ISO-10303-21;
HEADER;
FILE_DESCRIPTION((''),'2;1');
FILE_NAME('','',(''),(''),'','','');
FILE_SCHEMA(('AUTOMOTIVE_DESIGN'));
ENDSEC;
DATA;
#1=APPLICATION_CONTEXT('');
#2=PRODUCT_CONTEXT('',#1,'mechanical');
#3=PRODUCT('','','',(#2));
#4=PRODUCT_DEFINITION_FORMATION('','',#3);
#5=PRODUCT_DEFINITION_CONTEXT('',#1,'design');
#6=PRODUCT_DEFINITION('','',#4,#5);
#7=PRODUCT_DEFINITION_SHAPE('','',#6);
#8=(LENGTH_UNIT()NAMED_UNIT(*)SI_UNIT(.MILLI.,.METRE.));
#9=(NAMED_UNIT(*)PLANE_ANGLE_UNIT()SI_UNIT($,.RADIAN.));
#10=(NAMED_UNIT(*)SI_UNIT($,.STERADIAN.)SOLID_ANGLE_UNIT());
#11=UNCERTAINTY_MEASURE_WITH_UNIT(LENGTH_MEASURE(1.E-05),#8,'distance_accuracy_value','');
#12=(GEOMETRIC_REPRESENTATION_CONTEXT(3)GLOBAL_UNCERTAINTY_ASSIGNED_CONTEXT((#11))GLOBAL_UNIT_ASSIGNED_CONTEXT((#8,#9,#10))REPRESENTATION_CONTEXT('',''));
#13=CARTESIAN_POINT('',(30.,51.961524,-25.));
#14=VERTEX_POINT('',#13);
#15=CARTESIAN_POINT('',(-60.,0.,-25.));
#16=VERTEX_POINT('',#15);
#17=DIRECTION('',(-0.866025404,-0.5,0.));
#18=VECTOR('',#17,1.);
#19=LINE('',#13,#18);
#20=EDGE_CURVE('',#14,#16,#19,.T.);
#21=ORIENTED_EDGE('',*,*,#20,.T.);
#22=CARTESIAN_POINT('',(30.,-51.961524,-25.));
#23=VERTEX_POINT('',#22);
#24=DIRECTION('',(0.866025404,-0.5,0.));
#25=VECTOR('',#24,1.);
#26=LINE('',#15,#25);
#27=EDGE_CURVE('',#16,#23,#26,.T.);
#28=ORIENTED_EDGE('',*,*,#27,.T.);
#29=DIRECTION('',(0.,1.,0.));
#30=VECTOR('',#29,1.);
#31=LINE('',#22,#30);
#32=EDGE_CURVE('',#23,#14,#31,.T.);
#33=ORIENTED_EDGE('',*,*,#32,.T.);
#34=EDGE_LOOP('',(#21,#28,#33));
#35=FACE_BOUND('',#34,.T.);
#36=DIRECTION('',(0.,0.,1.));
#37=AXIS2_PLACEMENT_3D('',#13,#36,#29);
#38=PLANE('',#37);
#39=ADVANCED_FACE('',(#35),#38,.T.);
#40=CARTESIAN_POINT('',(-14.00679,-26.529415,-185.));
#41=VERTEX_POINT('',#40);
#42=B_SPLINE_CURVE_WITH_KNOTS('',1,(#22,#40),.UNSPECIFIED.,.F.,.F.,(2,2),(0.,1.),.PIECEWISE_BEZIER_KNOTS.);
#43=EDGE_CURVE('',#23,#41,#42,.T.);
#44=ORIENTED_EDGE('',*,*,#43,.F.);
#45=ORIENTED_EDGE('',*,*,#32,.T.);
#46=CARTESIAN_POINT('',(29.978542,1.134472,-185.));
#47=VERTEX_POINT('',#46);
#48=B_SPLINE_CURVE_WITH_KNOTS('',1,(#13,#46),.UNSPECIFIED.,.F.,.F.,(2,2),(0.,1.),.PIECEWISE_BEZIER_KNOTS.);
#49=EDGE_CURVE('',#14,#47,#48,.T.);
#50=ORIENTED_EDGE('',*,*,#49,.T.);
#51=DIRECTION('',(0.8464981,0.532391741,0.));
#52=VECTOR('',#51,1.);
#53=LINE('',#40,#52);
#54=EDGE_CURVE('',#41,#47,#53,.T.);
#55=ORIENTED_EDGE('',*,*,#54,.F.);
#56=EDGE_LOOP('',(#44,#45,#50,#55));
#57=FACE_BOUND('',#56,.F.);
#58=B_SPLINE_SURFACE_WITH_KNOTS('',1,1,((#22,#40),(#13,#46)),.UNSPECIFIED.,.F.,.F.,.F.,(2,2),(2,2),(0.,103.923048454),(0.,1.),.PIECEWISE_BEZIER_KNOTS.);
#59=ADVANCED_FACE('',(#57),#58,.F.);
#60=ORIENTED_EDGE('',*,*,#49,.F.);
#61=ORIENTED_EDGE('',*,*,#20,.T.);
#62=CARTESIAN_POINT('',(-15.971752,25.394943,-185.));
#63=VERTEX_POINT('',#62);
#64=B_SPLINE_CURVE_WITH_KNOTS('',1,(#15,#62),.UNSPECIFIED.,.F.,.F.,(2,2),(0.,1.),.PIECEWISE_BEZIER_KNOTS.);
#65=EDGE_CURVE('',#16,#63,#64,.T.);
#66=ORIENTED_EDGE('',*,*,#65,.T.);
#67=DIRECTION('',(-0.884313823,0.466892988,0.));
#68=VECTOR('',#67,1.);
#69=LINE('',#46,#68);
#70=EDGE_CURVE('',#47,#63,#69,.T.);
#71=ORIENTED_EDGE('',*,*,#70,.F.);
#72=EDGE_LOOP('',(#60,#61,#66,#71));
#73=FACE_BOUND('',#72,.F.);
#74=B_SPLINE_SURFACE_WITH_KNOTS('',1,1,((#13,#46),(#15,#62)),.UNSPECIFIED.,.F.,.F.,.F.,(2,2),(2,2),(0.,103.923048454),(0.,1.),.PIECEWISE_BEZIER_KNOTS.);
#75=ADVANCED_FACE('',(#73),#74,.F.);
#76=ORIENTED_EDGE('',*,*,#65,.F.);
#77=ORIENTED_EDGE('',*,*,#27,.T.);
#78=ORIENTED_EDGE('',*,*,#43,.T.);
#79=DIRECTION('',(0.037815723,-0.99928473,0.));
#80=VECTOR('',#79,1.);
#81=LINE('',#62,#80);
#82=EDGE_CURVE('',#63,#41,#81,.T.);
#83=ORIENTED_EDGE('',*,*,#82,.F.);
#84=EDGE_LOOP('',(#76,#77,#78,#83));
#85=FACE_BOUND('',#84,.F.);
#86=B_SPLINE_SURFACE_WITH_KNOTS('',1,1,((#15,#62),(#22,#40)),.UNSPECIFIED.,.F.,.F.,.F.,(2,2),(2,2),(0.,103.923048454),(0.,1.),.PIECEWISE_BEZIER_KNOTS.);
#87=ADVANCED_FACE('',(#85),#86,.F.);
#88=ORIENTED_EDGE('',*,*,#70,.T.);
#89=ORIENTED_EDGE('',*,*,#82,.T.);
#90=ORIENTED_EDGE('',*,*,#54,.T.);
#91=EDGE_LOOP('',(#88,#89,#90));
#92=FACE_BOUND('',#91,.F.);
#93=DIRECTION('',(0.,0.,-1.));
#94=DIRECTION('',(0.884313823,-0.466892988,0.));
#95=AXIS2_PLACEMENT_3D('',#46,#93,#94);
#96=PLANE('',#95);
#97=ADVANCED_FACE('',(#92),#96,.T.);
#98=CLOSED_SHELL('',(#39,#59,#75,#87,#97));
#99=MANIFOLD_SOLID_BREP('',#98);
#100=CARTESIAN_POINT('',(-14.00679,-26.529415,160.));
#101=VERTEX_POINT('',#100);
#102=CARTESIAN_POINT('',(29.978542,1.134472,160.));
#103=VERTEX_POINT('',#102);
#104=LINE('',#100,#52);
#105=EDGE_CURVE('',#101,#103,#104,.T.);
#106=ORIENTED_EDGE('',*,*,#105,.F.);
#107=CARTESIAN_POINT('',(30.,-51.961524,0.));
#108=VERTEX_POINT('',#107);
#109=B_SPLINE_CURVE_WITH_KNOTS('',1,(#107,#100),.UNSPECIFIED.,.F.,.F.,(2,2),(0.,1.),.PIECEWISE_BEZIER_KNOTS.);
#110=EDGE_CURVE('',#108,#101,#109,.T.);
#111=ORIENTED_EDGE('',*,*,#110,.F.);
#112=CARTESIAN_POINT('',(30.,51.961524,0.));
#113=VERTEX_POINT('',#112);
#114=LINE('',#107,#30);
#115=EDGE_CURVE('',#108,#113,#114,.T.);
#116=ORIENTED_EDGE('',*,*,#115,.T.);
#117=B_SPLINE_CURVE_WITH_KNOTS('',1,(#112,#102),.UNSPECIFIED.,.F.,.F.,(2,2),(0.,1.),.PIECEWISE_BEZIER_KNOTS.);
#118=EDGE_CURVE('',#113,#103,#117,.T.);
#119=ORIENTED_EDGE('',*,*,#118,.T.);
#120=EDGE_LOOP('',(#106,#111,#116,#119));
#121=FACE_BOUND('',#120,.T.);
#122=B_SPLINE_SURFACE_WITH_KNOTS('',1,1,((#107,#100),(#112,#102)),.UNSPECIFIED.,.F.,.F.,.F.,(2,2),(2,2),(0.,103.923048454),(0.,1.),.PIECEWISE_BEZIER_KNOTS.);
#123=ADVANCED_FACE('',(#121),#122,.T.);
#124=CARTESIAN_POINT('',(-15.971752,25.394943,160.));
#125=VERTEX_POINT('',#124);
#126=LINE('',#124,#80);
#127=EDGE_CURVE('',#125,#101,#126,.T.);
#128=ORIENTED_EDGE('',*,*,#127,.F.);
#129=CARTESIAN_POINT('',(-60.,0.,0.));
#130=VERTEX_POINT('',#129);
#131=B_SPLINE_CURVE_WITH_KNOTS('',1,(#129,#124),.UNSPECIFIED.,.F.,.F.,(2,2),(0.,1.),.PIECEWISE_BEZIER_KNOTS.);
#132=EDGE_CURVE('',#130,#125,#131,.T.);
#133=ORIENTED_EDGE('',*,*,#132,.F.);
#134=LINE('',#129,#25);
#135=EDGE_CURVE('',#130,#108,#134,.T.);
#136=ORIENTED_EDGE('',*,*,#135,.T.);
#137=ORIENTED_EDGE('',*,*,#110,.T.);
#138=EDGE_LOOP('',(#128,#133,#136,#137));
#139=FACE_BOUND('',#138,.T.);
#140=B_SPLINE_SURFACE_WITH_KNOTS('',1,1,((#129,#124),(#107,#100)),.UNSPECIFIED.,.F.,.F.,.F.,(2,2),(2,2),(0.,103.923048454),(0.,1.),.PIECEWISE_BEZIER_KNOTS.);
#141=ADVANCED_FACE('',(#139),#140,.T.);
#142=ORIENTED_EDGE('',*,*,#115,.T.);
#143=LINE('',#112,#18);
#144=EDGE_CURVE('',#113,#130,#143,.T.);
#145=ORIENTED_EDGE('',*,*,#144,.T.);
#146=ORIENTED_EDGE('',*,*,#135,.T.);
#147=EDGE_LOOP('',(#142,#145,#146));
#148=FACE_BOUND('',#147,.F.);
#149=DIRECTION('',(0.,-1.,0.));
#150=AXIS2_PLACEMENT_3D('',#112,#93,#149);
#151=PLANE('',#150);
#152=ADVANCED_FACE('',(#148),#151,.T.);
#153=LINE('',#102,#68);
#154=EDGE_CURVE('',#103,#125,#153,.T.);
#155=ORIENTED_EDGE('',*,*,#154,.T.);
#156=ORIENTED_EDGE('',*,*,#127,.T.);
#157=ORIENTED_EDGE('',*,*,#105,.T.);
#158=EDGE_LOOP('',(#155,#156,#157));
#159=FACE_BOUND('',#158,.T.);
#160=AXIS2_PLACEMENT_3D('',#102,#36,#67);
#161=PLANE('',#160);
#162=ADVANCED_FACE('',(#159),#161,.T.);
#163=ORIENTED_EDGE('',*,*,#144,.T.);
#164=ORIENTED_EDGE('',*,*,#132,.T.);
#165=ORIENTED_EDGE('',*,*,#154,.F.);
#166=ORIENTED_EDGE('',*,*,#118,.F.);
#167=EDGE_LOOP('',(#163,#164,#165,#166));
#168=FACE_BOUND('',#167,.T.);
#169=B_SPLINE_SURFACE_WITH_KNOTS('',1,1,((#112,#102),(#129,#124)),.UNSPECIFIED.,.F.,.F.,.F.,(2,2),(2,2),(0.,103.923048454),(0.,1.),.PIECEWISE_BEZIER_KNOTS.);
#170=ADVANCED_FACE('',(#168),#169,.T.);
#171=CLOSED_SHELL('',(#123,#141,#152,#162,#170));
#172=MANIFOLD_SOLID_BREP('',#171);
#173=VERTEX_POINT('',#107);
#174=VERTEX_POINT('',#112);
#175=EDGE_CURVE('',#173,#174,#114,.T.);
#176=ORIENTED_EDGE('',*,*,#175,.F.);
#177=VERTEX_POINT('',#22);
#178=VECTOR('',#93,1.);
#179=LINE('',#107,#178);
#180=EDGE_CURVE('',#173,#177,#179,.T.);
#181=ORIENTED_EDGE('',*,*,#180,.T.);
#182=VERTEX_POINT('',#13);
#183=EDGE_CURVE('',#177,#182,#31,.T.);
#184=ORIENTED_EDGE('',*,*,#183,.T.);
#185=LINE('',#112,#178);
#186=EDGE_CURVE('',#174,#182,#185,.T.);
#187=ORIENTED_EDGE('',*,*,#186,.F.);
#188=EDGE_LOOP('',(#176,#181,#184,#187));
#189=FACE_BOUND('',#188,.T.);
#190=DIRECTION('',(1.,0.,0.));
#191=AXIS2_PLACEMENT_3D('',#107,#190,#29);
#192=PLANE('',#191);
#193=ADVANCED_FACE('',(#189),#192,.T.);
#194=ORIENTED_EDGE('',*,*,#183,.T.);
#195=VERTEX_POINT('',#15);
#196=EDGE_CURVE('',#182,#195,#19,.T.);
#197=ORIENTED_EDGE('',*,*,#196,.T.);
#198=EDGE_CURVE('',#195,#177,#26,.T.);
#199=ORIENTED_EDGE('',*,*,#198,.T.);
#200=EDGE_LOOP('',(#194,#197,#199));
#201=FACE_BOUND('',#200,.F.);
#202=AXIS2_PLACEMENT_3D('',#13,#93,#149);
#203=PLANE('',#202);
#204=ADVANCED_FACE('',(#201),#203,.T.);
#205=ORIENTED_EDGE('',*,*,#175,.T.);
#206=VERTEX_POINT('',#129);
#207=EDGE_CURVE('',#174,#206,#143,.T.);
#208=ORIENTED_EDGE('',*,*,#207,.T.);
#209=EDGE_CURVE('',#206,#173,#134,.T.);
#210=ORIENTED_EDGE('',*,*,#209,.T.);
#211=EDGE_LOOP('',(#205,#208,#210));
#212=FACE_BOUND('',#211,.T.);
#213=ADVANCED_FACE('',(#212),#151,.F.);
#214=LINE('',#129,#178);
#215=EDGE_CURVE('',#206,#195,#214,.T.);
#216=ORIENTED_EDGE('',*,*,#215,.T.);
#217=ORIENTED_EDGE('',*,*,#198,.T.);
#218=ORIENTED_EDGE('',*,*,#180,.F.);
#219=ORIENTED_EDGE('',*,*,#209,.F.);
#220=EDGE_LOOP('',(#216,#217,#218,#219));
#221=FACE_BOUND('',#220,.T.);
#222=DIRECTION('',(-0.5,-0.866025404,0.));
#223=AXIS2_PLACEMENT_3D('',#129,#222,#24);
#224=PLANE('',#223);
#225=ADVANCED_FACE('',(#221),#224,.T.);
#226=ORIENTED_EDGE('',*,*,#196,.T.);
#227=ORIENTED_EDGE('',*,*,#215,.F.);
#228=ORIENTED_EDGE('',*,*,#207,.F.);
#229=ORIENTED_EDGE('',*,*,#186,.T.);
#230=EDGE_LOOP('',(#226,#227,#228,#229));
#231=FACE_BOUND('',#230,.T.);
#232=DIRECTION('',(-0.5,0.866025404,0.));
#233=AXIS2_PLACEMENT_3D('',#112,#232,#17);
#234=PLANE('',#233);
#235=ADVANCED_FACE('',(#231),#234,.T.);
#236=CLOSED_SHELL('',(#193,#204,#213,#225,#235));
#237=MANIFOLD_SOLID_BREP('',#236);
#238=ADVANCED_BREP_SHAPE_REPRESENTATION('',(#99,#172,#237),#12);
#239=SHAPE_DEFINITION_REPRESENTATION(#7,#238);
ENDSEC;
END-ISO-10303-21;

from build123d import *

# Parameters (mm, degrees)
F4_DEPTH = 25


with BuildPart() as f3:
    # F0 (on Top) → F3 section 0
    with BuildSketch(Plane.XY):
        Polygon((30, 51.9615242271), (-60, 0), (30, -51.9615242271), align=None)
    # F2 (on offset) → F3 section 1
    with BuildSketch(Plane.XY.offset(160)):
        Polygon((-15.9717522427, 25.3949430064), (-14.0067896499, -26.5294146883), (29.9785418925, 1.1344716819), align=None)
    loft()


with BuildPart() as f4:
    # F4 (new): a face of the model
    f4_faces = [f3.part.faces().sort_by_distance(p)[0] for p in [
        (0, 0, 0),
    ]]
    extrude(f4_faces, amount=F4_DEPTH)


with BuildPart() as f6_1:
    # F6: instance of F3
    add(f3.part.mirror(Plane(origin=(0, 0, -12.5), x_dir=(1, 0, 0), z_dir=(0, 0, -1))))


solid = Compound([f3.part, f4.part, f6_1.part])
